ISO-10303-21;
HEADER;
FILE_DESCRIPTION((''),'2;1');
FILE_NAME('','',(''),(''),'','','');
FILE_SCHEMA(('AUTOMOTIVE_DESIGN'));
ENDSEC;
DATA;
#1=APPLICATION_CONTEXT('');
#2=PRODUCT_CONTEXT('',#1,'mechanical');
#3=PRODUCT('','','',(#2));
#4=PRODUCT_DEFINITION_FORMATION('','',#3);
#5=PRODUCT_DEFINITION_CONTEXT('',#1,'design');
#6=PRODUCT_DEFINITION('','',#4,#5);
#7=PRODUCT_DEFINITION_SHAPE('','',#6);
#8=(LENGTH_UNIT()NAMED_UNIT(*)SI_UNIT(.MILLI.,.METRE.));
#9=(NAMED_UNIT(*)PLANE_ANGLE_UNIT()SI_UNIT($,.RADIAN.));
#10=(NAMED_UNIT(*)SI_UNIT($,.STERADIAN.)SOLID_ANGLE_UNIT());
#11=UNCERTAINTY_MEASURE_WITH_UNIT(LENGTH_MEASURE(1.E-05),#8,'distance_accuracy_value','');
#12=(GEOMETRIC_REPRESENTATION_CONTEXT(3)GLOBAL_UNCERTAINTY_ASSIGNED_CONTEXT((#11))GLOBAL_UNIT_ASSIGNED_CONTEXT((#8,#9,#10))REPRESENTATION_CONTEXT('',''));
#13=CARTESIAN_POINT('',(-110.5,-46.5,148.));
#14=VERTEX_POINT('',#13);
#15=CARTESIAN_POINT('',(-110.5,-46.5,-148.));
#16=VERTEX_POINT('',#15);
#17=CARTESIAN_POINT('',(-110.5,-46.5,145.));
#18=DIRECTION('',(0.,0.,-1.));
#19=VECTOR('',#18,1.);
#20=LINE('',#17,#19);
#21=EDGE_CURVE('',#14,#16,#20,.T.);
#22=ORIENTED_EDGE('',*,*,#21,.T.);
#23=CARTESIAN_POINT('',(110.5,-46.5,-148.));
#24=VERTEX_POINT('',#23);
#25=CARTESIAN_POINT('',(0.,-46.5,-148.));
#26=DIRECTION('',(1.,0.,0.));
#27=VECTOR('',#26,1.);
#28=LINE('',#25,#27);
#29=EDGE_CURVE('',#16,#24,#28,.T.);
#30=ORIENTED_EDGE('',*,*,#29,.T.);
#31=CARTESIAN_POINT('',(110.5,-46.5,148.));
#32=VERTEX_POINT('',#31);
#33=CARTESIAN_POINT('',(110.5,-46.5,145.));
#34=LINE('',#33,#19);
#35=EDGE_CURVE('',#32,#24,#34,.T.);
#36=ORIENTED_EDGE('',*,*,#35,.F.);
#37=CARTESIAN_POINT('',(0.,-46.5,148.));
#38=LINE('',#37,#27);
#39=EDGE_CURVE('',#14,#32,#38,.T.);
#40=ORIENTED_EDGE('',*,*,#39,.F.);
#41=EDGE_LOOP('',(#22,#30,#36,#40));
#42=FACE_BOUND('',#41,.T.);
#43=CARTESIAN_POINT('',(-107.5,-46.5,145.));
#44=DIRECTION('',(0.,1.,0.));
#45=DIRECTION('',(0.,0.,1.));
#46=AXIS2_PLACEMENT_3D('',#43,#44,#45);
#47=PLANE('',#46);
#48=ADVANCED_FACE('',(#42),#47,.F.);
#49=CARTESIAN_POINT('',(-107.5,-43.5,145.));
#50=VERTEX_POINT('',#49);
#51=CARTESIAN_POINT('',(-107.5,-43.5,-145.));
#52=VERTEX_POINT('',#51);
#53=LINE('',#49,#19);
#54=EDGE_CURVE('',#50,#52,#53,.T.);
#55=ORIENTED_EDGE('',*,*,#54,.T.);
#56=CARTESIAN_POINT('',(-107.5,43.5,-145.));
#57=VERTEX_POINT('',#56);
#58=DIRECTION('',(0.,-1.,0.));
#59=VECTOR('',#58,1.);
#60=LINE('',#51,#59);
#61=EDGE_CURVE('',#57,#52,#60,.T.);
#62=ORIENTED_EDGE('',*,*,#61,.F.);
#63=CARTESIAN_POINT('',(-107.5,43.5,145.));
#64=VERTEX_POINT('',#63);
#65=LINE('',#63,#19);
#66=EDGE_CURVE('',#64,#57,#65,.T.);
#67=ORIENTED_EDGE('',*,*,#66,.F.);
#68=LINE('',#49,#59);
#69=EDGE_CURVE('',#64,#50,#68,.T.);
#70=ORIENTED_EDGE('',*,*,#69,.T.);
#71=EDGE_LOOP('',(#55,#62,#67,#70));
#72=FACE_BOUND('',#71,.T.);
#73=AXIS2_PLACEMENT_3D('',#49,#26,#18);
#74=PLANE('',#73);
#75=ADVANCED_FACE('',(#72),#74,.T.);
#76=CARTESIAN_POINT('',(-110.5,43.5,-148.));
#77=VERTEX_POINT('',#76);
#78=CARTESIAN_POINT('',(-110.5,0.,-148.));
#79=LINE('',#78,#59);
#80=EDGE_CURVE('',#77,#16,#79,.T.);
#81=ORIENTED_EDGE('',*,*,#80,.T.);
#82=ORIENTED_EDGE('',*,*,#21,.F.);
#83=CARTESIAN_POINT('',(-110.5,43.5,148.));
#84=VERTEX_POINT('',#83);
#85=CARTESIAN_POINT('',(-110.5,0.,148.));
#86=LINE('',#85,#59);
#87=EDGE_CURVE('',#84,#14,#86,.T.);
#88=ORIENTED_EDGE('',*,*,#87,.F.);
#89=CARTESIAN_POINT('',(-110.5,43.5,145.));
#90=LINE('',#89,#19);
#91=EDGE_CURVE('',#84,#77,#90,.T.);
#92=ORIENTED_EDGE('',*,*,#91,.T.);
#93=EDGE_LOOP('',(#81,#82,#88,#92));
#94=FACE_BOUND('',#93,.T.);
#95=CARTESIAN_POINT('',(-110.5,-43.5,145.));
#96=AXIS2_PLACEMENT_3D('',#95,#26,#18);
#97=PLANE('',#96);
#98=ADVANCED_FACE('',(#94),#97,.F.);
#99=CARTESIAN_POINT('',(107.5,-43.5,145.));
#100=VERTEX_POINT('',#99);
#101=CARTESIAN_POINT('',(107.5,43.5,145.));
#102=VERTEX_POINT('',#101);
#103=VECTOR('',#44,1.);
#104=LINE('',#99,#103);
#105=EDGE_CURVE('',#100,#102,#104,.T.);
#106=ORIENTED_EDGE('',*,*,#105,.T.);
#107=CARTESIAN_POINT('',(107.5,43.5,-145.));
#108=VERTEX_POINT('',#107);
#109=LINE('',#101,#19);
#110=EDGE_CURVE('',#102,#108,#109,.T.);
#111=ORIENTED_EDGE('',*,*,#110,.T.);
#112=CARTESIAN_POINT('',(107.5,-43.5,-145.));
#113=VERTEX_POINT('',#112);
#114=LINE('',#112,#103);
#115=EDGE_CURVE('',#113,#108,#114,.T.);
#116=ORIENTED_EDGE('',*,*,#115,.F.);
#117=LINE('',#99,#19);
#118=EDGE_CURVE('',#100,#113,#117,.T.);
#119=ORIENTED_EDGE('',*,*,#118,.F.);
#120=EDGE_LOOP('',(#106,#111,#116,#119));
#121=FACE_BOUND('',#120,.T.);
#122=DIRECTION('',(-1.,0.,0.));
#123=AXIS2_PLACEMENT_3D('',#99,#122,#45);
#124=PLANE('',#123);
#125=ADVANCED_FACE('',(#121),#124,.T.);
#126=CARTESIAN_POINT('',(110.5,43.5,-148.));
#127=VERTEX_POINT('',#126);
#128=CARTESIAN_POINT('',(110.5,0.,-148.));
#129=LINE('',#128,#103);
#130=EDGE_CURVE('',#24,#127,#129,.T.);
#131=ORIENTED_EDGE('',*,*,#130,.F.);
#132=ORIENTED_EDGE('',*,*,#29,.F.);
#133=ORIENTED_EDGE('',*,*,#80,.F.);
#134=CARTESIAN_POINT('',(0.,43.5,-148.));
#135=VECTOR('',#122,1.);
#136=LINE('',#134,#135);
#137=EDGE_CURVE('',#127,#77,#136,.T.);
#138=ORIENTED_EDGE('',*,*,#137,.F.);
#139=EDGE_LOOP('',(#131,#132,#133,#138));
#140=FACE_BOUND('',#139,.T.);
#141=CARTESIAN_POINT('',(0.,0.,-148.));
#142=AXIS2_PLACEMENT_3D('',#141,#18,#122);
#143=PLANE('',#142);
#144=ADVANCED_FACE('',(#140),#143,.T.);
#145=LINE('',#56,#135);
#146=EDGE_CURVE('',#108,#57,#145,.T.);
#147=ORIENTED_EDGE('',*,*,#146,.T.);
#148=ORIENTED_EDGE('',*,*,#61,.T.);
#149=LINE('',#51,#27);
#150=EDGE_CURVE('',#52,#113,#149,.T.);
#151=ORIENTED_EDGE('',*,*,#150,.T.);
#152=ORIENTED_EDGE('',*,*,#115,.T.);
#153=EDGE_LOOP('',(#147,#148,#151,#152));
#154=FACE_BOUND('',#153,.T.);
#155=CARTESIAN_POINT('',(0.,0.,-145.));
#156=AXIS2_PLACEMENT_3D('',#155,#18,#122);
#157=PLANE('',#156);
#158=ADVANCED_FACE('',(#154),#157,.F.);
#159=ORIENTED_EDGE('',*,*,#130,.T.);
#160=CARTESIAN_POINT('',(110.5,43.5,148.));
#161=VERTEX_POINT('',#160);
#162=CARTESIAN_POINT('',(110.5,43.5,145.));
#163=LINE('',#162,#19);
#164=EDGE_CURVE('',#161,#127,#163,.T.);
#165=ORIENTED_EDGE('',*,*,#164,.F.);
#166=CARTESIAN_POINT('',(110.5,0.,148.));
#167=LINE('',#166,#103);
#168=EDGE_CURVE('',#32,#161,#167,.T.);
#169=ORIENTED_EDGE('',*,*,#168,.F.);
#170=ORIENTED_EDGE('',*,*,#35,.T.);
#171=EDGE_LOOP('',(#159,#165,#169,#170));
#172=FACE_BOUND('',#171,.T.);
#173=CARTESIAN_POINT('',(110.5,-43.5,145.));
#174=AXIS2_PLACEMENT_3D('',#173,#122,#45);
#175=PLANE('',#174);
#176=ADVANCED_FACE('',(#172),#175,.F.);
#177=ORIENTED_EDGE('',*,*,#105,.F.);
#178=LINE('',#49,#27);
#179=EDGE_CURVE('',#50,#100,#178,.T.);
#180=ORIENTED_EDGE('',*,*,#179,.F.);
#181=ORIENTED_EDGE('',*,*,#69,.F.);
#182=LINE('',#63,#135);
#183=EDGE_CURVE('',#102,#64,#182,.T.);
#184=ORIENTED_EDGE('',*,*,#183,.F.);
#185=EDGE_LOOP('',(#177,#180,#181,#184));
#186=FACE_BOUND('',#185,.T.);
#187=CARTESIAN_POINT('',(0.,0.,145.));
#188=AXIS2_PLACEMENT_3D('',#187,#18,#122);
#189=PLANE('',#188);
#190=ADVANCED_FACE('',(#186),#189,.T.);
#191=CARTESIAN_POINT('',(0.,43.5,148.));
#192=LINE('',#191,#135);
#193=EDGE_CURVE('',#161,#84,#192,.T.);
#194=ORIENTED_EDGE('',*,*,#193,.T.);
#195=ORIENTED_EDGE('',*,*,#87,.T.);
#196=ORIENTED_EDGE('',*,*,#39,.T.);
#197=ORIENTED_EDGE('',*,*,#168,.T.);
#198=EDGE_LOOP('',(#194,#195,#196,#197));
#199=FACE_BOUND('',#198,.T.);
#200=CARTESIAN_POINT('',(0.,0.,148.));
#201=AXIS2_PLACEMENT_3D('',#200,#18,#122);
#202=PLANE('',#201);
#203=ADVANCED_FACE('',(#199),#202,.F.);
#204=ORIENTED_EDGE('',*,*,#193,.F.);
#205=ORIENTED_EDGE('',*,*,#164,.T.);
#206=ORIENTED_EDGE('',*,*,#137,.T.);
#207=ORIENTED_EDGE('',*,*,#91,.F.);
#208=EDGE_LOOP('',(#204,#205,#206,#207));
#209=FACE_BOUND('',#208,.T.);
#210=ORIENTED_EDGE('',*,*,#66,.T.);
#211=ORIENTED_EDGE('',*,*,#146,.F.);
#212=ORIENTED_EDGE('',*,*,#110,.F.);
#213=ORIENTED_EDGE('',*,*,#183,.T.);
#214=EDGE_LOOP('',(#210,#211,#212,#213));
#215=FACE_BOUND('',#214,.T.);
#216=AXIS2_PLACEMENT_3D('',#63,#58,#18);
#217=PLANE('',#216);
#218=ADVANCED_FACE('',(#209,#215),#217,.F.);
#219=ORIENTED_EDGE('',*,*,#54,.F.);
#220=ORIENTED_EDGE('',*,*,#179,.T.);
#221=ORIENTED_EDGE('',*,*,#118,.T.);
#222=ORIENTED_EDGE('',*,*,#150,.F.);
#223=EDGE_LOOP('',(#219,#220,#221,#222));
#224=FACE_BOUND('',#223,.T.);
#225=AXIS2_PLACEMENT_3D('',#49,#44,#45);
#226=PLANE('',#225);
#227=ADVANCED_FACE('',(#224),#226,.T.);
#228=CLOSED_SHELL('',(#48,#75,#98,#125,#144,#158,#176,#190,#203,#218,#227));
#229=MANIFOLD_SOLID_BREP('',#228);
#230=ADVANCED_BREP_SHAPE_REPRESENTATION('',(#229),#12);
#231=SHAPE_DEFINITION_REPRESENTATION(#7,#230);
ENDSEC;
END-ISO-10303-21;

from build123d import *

# Parameters (mm, degrees)
SKIZZE1_W                       = 215
SKIZZE1_H                       = 87
AUFSATZ_LINEAR_AUSTRAGEN1_DEPTH = 145
WANDUNG1_T                      = 3


with BuildPart() as part:
    # Skizze1 → Aufsatz-Linear austragen1 (new, symmetric)
    with BuildSketch(Plane.XY):
        Rectangle(SKIZZE1_W, SKIZZE1_H)
    extrude(amount=AUFSATZ_LINEAR_AUSTRAGEN1_DEPTH, both=True)

    # Wandung1
    wandung1_openings = [part.faces().sort_by_distance(p)[0] for p in [
        (0, 43.5, 0),
    ]]
    offset(amount=WANDUNG1_T, openings=wandung1_openings, kind=Kind.INTERSECTION)


solid = part.part
